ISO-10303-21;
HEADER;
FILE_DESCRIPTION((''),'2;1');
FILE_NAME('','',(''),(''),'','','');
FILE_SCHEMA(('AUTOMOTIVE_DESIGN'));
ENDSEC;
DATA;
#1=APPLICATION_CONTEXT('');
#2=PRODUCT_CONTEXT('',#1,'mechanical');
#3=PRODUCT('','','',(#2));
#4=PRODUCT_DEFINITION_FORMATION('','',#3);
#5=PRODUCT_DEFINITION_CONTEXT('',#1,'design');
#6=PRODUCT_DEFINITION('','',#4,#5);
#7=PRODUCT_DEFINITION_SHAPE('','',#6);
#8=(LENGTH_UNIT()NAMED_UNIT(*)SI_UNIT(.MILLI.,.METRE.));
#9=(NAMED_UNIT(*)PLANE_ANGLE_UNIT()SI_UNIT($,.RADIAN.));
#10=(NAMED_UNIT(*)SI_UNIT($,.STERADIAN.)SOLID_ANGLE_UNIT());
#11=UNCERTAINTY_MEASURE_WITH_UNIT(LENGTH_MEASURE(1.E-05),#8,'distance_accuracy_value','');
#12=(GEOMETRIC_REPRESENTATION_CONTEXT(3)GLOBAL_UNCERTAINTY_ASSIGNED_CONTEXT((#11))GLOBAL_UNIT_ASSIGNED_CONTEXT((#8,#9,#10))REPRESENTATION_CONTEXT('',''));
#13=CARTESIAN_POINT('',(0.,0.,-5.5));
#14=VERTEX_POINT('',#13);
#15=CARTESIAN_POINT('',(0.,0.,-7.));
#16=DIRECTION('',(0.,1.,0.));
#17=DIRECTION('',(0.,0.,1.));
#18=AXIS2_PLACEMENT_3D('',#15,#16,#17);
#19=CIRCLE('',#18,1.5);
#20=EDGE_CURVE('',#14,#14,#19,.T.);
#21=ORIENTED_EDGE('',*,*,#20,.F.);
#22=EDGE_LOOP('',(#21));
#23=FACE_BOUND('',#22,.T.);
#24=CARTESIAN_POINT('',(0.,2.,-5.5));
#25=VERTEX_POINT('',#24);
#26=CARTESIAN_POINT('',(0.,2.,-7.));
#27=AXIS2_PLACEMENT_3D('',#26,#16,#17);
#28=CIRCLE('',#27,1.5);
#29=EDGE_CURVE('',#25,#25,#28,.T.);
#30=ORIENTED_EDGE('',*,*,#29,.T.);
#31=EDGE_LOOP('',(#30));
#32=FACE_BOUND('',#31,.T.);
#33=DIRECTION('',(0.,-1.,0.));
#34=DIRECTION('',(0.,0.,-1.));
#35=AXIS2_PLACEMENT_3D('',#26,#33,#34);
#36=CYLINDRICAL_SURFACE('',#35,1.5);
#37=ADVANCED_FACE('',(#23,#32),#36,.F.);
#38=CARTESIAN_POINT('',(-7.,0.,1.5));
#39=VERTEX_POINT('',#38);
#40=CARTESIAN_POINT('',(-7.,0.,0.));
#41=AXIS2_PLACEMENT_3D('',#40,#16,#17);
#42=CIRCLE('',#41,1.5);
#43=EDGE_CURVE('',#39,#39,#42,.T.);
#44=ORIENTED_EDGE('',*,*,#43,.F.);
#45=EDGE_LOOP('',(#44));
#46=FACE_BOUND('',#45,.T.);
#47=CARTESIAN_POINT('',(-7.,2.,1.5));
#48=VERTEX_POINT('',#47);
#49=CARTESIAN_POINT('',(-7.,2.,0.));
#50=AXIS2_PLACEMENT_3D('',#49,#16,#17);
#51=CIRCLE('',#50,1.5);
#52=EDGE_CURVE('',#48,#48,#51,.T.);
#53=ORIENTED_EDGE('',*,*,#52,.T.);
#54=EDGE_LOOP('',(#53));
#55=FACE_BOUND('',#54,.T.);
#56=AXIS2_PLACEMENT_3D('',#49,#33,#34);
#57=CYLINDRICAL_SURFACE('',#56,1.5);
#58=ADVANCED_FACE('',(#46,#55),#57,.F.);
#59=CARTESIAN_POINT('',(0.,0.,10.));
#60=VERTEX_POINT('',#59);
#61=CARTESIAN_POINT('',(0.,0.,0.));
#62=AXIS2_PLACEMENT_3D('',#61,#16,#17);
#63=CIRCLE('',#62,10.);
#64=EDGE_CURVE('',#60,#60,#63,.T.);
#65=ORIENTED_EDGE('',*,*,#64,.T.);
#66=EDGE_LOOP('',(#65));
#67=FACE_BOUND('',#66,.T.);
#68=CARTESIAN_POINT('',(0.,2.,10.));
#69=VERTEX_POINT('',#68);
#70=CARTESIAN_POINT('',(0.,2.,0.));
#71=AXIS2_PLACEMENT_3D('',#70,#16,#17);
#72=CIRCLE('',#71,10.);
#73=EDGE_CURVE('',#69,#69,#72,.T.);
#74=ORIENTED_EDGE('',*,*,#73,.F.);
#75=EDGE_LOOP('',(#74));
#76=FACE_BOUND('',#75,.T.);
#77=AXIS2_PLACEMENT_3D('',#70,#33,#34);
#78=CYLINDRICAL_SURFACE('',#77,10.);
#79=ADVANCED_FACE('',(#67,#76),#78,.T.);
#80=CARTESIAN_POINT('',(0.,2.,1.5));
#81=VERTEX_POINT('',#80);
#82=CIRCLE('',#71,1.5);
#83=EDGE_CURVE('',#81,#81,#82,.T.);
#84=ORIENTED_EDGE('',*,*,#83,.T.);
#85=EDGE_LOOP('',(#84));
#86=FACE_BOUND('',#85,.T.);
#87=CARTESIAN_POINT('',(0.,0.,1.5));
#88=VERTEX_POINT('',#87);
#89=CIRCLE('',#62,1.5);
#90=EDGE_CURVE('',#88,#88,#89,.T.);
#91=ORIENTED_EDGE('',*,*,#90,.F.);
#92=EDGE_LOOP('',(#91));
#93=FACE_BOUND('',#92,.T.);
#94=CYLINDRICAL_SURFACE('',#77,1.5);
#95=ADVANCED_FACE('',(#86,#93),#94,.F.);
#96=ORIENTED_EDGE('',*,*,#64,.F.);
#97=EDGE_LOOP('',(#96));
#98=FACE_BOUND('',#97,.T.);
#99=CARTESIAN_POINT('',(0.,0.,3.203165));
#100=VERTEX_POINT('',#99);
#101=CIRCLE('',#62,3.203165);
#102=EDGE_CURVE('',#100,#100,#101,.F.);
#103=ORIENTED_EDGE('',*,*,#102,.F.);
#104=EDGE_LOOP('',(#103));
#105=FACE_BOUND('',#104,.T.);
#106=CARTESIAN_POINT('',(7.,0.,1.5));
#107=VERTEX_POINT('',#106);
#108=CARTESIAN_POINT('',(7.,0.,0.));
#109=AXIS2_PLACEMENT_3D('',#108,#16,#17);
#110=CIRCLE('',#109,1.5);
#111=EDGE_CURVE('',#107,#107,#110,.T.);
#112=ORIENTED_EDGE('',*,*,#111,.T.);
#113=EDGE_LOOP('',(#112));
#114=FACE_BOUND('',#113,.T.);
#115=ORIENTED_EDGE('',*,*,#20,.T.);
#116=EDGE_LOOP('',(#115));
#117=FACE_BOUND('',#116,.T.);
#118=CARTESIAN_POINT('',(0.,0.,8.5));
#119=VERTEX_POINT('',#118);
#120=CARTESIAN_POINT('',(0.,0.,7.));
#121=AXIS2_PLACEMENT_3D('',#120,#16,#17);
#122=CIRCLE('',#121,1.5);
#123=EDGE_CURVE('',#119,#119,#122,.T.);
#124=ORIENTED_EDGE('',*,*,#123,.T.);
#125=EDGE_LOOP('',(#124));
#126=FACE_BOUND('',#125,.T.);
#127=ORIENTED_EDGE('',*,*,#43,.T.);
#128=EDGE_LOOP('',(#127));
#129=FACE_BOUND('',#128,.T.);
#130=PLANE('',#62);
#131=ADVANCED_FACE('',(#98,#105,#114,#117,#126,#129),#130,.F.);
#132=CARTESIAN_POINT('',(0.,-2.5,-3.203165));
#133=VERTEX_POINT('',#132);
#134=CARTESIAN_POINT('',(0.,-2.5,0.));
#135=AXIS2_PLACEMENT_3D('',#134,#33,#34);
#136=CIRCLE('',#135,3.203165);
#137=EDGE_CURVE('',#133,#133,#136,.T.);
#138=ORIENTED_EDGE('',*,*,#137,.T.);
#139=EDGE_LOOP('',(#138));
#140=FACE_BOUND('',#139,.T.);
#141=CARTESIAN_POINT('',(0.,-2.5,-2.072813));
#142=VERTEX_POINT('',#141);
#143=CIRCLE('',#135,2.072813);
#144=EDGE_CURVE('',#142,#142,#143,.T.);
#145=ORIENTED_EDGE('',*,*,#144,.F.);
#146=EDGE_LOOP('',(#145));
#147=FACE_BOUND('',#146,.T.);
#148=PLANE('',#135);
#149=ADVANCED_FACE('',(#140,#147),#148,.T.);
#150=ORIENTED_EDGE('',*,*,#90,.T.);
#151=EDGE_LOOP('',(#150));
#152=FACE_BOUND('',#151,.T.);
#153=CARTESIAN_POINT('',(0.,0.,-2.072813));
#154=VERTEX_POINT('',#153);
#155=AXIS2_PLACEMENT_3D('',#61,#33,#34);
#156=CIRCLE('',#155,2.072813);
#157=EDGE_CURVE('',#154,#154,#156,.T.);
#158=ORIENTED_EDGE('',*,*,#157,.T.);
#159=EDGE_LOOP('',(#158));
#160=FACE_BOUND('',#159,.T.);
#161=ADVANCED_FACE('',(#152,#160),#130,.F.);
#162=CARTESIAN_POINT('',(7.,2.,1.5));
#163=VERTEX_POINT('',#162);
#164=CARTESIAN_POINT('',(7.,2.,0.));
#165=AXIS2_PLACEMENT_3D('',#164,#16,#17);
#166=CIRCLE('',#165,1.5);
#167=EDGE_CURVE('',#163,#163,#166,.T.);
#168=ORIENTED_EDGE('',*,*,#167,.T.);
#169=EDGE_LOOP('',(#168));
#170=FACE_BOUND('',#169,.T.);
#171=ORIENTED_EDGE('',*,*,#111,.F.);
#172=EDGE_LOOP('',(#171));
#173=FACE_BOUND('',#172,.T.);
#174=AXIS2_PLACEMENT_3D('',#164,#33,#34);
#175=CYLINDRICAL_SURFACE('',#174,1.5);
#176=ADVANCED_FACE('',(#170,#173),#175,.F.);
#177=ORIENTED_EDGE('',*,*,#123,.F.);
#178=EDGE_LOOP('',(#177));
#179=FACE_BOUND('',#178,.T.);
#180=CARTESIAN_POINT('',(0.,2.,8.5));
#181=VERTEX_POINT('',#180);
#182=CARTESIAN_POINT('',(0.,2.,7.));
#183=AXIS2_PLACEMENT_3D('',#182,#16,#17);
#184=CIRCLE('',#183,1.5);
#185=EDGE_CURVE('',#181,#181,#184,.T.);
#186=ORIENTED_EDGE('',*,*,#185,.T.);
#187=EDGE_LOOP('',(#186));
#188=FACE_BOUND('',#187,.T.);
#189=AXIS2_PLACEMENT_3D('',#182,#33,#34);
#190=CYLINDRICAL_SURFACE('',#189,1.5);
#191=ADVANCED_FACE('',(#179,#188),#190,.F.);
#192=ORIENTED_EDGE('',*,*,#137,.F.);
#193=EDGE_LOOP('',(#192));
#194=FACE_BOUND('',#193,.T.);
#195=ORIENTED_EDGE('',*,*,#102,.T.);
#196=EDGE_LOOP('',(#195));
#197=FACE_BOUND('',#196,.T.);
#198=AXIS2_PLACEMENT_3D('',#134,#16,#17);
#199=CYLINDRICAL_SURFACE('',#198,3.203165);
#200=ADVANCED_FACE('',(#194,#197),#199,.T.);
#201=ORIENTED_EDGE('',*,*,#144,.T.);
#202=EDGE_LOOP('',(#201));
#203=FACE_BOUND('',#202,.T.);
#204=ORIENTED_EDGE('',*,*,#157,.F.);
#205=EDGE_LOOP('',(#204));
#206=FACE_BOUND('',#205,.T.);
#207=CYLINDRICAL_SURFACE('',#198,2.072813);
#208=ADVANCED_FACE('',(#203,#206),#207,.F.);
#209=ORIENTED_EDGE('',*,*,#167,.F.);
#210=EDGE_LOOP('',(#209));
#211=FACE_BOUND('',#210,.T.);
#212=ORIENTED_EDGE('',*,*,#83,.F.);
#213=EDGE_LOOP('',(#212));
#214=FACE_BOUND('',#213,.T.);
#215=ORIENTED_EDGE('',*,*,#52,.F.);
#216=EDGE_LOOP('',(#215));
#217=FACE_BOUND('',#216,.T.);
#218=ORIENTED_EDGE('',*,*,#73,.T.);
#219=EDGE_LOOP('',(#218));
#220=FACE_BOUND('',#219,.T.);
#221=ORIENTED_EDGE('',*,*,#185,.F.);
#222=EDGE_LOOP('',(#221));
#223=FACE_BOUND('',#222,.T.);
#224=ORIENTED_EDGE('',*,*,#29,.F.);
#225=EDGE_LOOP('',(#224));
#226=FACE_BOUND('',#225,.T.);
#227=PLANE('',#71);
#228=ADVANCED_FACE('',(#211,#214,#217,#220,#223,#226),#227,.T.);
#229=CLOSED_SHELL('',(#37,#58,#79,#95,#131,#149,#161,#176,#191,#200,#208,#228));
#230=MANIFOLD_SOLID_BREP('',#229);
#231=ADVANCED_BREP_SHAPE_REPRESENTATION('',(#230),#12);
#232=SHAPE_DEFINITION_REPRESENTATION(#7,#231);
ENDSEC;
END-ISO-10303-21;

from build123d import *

# Parameters (mm, degrees)
SKETCH_1_R      = 10
SKETCH_1_R_2    = 1.5
EXTRUDE_1_DEPTH = 2
SKETCH_2_R      = 3.203165256
SKETCH_2_R_2    = 2.072813242
EXTRUDE_2_DEPTH = 2.5


with BuildPart() as part:
    # 草图1 → 凸台-拉伸1 (new body)
    with BuildSketch(Plane(origin=(0, 0, 0), x_dir=(1, 0, 0), z_dir=(0, 1, 0))):
        with Locations(Location((0, 0, 0), (0, 0, 270))):
            Circle(SKETCH_1_R)
        with Locations(Location((0, 7, 0), (0, 0, 270))):
            Circle(SKETCH_1_R_2, mode=Mode.SUBTRACT)
        with Locations(Location((7, 0, 0), (0, 0, 270))):
            Circle(SKETCH_1_R_2, mode=Mode.SUBTRACT)
        with Locations(Location((0, -7, 0), (0, 0, 270))):
            Circle(SKETCH_1_R_2, mode=Mode.SUBTRACT)
        with Locations(Location((-7, 0, 0), (0, 0, 270))):
            Circle(SKETCH_1_R_2, mode=Mode.SUBTRACT)
        with Locations(Location((0, 0, 0), (0, 0, 270))):
            Circle(SKETCH_1_R_2, mode=Mode.SUBTRACT)
    extrude(amount=EXTRUDE_1_DEPTH)

    # 草图2 → 凸台-拉伸2 (add)
    with BuildSketch(Plane.XZ):
        with Locations(Location((0, 0, 0), (0, 0, 90))):
            Circle(SKETCH_2_R)
        with Locations(Location((0, 0, 0), (0, 0, 270))):
            Circle(SKETCH_2_R_2, mode=Mode.SUBTRACT)
    extrude(amount=EXTRUDE_2_DEPTH)


solid = part.part
